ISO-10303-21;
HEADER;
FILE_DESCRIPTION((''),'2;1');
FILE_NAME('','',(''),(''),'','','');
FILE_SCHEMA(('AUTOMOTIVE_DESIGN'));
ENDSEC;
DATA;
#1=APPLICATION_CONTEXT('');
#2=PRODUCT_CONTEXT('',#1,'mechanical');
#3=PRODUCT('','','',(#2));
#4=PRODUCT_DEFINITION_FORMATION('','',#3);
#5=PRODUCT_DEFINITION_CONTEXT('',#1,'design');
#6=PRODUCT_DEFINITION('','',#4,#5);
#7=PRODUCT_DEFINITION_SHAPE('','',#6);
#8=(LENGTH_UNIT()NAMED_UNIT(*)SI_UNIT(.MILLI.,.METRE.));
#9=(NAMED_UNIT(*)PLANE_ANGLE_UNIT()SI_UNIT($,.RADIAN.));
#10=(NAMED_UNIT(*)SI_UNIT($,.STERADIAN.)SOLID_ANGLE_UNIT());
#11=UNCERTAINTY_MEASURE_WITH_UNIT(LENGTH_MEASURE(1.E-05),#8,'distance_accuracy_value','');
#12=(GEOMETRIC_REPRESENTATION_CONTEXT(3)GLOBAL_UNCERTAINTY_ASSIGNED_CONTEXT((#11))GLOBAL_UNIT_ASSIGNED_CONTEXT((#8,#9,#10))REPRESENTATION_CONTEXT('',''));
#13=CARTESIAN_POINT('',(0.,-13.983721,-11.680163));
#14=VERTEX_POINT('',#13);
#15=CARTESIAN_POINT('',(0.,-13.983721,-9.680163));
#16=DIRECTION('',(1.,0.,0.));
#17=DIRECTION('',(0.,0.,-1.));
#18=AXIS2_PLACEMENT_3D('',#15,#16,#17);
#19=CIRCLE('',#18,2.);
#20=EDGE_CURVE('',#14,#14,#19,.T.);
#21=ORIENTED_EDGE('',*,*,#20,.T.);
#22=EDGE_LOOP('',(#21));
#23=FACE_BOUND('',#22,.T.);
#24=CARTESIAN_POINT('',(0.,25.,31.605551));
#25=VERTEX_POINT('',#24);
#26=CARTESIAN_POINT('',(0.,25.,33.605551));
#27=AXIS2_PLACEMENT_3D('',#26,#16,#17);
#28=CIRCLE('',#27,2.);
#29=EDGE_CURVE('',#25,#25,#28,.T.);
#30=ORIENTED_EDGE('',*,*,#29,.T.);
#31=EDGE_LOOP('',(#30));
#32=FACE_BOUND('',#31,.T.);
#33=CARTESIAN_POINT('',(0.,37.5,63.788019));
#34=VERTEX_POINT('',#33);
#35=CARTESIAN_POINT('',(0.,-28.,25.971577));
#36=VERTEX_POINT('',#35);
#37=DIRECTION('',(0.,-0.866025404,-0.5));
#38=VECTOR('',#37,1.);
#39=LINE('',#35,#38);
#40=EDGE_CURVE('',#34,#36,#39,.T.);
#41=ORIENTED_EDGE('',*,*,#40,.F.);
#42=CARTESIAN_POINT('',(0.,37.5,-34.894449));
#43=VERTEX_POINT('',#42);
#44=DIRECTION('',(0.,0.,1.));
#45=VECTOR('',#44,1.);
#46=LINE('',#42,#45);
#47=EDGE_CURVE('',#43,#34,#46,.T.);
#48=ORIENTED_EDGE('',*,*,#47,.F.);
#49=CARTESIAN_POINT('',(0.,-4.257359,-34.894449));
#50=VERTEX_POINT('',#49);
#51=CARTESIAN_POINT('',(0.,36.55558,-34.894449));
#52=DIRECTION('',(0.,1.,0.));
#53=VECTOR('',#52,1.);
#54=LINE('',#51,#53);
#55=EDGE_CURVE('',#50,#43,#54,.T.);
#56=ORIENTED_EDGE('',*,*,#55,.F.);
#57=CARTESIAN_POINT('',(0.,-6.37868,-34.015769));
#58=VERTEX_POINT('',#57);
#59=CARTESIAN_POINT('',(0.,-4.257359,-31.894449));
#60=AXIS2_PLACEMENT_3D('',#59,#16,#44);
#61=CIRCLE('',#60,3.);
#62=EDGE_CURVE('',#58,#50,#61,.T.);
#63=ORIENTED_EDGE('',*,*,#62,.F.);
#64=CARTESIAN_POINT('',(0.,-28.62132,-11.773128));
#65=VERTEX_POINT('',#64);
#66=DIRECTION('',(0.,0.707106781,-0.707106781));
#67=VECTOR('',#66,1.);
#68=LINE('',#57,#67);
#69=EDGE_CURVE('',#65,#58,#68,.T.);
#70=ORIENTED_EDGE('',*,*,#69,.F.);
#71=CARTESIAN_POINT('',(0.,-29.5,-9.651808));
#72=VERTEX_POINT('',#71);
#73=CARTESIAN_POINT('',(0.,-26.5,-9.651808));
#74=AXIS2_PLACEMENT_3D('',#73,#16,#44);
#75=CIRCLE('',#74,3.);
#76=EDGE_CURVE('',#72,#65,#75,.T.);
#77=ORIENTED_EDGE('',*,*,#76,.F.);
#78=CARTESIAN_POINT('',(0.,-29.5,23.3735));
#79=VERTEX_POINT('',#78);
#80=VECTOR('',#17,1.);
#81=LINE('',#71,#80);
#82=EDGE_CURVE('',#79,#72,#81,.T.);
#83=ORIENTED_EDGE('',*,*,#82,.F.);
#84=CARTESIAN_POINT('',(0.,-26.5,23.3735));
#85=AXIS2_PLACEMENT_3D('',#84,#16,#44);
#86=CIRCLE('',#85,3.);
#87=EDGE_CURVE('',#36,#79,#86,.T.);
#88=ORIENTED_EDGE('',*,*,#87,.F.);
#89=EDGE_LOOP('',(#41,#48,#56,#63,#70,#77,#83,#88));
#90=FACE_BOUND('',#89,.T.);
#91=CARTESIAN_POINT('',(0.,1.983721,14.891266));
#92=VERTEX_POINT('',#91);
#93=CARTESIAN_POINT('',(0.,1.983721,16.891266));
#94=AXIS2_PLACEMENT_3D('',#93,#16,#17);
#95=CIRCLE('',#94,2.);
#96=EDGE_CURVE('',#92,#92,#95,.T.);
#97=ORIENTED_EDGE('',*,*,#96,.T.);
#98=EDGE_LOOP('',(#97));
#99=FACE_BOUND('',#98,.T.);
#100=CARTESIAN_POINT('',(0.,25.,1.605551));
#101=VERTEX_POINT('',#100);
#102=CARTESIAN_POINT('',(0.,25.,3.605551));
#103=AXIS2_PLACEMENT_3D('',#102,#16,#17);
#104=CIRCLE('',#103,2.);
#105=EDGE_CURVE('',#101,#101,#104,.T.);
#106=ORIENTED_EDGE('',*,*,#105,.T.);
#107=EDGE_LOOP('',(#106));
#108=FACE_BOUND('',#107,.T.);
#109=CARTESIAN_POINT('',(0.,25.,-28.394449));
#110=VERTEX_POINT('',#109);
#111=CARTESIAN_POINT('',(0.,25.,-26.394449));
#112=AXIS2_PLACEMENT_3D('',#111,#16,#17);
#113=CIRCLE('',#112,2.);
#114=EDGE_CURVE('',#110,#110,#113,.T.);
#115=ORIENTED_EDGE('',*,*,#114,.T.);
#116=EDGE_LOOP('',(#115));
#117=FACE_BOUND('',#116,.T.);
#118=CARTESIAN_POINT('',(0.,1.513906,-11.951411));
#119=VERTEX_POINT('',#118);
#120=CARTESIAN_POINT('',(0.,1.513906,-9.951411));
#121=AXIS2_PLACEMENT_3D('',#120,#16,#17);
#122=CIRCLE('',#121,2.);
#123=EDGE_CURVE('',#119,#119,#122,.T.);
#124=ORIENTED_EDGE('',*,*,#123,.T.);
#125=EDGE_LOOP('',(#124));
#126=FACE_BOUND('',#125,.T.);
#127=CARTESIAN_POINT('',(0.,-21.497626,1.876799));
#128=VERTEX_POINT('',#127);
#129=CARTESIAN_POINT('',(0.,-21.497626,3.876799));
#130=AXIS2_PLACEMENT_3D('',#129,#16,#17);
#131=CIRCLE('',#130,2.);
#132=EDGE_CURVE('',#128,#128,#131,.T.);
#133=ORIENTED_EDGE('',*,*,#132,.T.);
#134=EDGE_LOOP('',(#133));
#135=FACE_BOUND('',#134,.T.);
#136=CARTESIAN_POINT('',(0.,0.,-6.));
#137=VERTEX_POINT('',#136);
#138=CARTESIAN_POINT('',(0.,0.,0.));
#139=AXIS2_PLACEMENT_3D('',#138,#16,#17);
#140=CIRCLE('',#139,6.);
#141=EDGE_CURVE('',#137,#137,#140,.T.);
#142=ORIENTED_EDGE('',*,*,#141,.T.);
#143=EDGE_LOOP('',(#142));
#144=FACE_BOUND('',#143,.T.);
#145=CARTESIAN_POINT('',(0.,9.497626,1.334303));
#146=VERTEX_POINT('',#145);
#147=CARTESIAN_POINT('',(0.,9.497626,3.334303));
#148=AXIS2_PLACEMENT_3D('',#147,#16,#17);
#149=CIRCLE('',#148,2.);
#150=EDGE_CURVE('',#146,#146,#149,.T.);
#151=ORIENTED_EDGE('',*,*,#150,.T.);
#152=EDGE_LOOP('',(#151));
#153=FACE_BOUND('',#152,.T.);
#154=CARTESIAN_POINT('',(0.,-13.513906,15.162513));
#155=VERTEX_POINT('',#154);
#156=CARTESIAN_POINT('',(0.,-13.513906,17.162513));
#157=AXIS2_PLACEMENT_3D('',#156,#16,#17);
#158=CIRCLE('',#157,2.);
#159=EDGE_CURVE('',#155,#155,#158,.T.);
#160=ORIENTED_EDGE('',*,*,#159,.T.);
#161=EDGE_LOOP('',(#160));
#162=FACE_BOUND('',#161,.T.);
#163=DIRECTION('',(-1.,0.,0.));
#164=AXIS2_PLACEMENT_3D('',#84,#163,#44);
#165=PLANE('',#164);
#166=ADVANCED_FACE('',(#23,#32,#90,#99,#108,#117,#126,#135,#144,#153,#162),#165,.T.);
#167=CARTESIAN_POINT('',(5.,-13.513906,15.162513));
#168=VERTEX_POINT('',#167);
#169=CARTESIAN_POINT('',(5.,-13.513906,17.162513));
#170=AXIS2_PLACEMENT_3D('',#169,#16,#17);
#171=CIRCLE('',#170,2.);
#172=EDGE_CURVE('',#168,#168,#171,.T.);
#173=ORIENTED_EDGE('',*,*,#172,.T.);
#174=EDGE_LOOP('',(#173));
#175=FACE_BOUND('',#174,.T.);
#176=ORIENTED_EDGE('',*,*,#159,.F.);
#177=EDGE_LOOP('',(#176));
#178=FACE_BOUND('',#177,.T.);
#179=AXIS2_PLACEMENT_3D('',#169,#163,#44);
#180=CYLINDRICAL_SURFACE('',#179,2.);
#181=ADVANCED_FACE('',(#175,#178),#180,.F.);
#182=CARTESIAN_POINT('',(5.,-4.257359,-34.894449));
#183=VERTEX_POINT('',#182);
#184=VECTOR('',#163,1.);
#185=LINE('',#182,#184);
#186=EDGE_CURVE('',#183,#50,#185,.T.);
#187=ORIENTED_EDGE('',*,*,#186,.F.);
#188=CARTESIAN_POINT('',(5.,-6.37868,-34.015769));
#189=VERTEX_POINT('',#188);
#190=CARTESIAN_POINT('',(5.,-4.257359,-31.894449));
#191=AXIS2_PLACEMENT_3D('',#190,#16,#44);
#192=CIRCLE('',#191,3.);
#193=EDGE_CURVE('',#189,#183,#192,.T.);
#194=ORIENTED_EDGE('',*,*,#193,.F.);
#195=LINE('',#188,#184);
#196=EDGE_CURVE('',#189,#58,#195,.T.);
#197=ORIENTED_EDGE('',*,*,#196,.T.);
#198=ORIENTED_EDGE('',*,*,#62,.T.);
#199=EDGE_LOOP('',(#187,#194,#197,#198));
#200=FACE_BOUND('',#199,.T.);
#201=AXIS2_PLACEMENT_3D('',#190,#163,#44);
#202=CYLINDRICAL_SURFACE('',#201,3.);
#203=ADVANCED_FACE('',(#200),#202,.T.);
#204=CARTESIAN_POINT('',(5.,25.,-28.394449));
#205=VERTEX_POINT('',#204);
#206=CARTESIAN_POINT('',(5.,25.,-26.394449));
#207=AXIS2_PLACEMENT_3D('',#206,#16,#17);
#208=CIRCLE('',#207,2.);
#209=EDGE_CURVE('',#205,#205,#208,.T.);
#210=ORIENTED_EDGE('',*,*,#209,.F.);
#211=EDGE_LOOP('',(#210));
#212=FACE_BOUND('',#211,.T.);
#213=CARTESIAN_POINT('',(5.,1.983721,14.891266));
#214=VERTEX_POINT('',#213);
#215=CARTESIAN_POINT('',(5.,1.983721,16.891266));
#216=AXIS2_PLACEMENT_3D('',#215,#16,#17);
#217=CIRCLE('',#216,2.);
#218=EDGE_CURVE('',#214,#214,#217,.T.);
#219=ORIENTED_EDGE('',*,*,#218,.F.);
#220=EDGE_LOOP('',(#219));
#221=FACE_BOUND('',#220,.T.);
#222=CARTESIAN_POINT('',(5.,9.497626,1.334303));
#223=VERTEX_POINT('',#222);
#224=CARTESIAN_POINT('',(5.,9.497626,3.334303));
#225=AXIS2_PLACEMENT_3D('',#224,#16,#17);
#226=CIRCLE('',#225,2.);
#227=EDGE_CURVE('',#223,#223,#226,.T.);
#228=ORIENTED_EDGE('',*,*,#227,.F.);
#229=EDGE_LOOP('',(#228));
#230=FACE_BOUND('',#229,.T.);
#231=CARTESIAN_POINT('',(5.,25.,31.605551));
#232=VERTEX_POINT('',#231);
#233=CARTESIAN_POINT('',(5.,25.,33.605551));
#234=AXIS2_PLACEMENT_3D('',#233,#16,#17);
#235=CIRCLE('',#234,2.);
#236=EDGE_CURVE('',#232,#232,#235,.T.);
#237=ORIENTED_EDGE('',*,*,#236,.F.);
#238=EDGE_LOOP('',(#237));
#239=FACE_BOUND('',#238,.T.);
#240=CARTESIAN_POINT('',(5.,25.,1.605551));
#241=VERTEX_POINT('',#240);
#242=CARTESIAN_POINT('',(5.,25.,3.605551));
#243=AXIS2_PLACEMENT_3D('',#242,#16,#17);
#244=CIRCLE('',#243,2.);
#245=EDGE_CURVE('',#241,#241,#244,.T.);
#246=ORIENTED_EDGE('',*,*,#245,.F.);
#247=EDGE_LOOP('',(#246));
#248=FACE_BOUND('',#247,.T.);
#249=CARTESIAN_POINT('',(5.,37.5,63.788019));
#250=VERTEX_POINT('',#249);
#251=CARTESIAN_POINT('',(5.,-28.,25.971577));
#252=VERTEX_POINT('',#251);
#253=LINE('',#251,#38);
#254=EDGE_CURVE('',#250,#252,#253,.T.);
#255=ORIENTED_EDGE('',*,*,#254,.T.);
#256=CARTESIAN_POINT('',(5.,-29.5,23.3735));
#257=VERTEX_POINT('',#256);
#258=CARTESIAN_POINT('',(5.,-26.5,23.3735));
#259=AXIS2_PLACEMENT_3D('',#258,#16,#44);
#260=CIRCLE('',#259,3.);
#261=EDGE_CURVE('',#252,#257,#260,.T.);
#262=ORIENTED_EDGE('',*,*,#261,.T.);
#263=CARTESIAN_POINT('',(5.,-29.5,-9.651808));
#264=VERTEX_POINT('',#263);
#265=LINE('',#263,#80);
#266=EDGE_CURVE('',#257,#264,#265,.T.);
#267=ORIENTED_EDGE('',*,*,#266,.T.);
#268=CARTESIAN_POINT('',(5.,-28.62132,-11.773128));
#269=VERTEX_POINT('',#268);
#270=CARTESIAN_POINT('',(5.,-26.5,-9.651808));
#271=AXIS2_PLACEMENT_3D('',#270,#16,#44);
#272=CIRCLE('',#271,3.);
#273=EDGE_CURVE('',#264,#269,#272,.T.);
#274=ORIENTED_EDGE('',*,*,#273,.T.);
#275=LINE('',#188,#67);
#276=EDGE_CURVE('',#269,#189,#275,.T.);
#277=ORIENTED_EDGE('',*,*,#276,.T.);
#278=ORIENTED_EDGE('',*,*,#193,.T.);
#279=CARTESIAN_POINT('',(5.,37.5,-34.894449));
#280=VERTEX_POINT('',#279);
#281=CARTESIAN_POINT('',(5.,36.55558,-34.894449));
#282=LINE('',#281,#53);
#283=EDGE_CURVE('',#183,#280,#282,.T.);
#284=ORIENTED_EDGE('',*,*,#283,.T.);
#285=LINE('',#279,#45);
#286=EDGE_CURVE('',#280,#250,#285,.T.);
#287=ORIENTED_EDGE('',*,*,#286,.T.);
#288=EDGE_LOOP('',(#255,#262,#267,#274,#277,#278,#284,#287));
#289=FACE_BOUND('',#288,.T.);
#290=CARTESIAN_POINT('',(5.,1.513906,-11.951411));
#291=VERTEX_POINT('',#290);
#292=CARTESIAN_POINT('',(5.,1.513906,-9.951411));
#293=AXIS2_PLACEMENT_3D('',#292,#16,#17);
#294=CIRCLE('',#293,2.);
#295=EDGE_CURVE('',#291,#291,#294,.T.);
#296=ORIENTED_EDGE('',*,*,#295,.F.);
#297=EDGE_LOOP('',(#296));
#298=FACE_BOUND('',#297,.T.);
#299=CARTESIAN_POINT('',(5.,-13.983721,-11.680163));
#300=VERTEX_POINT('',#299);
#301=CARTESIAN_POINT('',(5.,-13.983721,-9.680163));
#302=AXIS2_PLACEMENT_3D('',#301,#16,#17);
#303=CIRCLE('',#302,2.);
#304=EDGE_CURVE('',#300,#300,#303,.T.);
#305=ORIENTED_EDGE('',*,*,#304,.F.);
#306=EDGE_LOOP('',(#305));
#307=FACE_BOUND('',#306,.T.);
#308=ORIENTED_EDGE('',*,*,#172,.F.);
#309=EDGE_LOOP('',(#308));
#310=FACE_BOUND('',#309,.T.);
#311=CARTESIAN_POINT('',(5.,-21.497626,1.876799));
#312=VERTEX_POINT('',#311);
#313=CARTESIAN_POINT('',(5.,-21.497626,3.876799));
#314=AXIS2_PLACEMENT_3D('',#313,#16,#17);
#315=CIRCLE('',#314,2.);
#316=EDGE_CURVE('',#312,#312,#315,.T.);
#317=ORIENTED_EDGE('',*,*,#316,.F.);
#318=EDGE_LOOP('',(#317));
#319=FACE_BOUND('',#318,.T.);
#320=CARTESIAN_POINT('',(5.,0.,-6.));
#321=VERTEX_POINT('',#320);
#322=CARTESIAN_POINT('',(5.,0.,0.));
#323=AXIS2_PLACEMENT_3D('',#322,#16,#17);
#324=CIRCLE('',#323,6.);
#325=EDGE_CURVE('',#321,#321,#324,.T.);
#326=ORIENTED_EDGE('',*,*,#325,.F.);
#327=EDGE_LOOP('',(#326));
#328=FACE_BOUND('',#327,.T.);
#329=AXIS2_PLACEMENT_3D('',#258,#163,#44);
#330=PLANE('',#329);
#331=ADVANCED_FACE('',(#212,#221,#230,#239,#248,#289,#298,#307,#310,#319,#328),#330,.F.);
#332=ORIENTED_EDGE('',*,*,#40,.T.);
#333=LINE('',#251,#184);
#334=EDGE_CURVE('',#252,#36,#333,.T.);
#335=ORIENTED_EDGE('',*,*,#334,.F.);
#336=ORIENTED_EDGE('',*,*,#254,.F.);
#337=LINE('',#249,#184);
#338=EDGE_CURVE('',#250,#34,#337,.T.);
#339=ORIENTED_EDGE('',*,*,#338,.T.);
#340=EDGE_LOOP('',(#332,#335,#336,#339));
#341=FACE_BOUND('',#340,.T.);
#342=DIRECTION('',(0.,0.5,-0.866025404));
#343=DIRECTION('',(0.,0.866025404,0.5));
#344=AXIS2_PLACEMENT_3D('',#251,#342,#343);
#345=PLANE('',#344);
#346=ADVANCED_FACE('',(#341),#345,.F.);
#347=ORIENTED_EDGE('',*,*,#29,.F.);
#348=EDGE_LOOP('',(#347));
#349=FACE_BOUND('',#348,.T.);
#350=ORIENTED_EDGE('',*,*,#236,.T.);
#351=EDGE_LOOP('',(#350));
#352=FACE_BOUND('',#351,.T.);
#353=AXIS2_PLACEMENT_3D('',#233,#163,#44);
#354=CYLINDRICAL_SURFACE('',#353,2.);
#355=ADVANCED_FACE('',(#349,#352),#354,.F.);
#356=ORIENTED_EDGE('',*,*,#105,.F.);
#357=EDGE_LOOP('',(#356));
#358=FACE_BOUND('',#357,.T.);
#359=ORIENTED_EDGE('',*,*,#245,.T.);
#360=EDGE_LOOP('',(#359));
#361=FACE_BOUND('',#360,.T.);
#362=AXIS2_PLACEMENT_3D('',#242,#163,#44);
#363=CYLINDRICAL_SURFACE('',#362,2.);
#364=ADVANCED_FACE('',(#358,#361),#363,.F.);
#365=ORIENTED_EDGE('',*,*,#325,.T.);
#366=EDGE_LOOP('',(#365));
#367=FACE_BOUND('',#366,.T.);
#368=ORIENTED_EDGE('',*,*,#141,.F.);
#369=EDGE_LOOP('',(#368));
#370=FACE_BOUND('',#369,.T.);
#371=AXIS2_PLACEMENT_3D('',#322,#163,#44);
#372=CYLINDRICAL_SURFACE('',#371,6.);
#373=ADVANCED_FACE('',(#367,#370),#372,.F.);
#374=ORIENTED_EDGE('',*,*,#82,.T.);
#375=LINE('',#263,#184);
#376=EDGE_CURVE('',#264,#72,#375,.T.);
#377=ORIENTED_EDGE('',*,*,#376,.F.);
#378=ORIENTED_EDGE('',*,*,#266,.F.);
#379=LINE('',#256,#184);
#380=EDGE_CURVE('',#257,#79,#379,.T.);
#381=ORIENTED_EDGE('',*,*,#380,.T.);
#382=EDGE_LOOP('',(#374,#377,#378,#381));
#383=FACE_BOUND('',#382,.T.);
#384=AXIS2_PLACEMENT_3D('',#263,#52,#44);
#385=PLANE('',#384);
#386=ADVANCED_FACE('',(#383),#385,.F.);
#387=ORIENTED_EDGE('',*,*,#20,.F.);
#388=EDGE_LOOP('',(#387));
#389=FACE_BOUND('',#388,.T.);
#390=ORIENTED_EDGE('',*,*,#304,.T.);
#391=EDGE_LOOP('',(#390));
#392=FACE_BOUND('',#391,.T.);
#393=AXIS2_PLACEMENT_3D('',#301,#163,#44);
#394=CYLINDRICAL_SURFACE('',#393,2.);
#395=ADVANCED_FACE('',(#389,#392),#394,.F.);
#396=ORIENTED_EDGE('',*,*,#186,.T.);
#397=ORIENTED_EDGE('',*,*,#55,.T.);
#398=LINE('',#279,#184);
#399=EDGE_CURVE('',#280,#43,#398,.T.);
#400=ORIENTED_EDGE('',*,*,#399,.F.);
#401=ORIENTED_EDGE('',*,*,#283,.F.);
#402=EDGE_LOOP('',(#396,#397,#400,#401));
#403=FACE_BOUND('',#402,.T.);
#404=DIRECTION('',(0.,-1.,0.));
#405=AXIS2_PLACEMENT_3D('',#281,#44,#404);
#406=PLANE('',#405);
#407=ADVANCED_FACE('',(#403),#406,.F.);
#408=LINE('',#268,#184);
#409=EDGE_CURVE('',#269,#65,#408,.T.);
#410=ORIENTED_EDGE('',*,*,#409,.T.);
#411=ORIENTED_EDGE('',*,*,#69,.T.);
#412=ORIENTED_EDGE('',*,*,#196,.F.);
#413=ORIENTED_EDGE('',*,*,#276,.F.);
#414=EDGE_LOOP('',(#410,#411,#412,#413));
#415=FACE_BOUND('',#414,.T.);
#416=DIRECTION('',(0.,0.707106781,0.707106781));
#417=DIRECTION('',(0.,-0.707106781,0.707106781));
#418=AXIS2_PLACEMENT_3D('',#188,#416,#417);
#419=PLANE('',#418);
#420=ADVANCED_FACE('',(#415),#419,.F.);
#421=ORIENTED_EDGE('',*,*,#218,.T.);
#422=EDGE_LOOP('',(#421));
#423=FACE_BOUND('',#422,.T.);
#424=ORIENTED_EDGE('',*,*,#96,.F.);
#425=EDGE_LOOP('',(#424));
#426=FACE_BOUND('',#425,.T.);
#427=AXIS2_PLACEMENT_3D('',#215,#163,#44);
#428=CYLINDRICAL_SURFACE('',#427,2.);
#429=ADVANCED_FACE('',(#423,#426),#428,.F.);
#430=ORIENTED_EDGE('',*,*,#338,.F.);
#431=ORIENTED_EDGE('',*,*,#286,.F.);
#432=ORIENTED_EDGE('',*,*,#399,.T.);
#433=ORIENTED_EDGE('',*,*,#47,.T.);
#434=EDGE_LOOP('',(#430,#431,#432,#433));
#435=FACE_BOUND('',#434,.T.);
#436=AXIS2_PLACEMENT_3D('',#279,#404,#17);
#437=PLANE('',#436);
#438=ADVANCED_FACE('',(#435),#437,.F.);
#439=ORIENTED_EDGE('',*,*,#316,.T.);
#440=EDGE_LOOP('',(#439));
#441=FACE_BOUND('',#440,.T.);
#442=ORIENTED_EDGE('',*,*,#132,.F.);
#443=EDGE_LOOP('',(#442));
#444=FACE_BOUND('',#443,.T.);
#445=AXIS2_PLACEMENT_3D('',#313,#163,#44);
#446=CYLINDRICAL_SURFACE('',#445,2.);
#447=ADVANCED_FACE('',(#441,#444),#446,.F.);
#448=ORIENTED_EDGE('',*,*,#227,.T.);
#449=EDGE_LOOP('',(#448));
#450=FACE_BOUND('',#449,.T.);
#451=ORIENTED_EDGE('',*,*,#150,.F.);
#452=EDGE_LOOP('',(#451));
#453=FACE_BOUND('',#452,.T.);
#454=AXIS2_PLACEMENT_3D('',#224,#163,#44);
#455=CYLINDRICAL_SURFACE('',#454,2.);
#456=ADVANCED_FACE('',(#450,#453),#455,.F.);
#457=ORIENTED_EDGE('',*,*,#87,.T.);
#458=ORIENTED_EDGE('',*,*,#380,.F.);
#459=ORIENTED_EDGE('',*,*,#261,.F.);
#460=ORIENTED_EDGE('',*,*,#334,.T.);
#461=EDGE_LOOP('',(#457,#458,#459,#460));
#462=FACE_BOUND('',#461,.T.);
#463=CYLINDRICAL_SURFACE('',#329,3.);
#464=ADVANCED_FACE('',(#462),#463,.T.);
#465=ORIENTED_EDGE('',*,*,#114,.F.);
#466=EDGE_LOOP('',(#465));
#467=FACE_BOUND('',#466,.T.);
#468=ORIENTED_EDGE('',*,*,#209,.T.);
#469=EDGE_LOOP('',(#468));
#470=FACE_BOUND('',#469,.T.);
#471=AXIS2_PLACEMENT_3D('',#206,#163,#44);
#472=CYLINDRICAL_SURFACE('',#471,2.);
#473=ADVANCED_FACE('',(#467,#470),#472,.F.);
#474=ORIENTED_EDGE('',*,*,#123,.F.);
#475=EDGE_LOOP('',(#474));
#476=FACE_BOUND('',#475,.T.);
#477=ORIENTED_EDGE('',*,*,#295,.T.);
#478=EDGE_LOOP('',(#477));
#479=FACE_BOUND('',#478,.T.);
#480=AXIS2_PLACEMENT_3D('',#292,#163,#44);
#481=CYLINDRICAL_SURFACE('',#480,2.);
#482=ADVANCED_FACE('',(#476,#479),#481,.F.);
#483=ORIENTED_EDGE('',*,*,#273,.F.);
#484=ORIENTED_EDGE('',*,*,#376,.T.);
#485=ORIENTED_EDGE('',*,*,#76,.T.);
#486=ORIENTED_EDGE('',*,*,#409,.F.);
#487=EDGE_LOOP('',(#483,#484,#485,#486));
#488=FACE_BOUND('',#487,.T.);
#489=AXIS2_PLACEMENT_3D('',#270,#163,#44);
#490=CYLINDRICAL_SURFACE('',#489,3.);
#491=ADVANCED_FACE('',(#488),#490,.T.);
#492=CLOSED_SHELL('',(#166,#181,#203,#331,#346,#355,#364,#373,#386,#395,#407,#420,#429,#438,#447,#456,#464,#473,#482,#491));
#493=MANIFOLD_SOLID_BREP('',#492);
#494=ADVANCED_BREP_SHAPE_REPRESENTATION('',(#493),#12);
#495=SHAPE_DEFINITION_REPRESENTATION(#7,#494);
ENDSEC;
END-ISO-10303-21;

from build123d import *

# Parameters (mm, degrees)
SKETCH1_R           = 6
SKETCH1_R_2         = 2
BOSS_EXTRUDE1_DEPTH = 5


with BuildPart() as part:
    # Sketch1 → Boss-Extrude1 (new body)
    with BuildSketch(Plane(origin=(0, 0, 0), x_dir=(0, 0, -1), z_dir=(1, 0, 0))):
        with BuildLine():
            Line((34.894448725, 36.555579518), (34.894448725, -4.257359313))
            ThreePointArc((34.894448725, -4.257359313), (34.666087322, -5.40540961), (34.015769068, -6.378679656))
            Line((34.015769068, -6.378679656), (11.773128381, -28.621320344))
            ThreePointArc((11.773128381, -28.621320344), (10.799858335, -29.271638598), (9.651808037, -29.5))
            Line((9.651808037, -29.5), (-23.373500468, -29.5))
            ThreePointArc((-23.373500468, -29.5), (-24.873500468, -29.098076211), (-25.971576679, -28))
            Line((-25.971576679, -28), (-63.788019311, 37.5))
            Line((-63.788019311, 37.5), (34.894448725, 37.5))
            Line((34.894448725, 37.5), (34.894448725, 36.555579518))
        make_face()
        Circle(SKETCH1_R, mode=Mode.SUBTRACT)
        with Locations((9.68016301, -13.983720681)):
            Circle(SKETCH1_R_2, mode=Mode.SUBTRACT)
        with Locations((-3.876799059, -21.49762642)):
            Circle(SKETCH1_R_2, mode=Mode.SUBTRACT)
        with Locations((-17.162513345, -13.513905738)):
            Circle(SKETCH1_R_2, mode=Mode.SUBTRACT)
        with Locations((-16.891265561, 1.983720681)):
            Circle(SKETCH1_R_2, mode=Mode.SUBTRACT)
        with Locations((-3.334303492, 9.49762642)):
            Circle(SKETCH1_R_2, mode=Mode.SUBTRACT)
        with Locations((9.951410794, 1.513905738)):
            Circle(SKETCH1_R_2, mode=Mode.SUBTRACT)
        with Locations((-3.605551275, 25)):
            Circle(SKETCH1_R_2, mode=Mode.SUBTRACT)
        with Locations((26.394448725, 25)):
            Circle(SKETCH1_R_2, mode=Mode.SUBTRACT)
        with Locations((-33.605551275, 25)):
            Circle(SKETCH1_R_2, mode=Mode.SUBTRACT)
    extrude(amount=BOSS_EXTRUDE1_DEPTH)


solid = part.part
